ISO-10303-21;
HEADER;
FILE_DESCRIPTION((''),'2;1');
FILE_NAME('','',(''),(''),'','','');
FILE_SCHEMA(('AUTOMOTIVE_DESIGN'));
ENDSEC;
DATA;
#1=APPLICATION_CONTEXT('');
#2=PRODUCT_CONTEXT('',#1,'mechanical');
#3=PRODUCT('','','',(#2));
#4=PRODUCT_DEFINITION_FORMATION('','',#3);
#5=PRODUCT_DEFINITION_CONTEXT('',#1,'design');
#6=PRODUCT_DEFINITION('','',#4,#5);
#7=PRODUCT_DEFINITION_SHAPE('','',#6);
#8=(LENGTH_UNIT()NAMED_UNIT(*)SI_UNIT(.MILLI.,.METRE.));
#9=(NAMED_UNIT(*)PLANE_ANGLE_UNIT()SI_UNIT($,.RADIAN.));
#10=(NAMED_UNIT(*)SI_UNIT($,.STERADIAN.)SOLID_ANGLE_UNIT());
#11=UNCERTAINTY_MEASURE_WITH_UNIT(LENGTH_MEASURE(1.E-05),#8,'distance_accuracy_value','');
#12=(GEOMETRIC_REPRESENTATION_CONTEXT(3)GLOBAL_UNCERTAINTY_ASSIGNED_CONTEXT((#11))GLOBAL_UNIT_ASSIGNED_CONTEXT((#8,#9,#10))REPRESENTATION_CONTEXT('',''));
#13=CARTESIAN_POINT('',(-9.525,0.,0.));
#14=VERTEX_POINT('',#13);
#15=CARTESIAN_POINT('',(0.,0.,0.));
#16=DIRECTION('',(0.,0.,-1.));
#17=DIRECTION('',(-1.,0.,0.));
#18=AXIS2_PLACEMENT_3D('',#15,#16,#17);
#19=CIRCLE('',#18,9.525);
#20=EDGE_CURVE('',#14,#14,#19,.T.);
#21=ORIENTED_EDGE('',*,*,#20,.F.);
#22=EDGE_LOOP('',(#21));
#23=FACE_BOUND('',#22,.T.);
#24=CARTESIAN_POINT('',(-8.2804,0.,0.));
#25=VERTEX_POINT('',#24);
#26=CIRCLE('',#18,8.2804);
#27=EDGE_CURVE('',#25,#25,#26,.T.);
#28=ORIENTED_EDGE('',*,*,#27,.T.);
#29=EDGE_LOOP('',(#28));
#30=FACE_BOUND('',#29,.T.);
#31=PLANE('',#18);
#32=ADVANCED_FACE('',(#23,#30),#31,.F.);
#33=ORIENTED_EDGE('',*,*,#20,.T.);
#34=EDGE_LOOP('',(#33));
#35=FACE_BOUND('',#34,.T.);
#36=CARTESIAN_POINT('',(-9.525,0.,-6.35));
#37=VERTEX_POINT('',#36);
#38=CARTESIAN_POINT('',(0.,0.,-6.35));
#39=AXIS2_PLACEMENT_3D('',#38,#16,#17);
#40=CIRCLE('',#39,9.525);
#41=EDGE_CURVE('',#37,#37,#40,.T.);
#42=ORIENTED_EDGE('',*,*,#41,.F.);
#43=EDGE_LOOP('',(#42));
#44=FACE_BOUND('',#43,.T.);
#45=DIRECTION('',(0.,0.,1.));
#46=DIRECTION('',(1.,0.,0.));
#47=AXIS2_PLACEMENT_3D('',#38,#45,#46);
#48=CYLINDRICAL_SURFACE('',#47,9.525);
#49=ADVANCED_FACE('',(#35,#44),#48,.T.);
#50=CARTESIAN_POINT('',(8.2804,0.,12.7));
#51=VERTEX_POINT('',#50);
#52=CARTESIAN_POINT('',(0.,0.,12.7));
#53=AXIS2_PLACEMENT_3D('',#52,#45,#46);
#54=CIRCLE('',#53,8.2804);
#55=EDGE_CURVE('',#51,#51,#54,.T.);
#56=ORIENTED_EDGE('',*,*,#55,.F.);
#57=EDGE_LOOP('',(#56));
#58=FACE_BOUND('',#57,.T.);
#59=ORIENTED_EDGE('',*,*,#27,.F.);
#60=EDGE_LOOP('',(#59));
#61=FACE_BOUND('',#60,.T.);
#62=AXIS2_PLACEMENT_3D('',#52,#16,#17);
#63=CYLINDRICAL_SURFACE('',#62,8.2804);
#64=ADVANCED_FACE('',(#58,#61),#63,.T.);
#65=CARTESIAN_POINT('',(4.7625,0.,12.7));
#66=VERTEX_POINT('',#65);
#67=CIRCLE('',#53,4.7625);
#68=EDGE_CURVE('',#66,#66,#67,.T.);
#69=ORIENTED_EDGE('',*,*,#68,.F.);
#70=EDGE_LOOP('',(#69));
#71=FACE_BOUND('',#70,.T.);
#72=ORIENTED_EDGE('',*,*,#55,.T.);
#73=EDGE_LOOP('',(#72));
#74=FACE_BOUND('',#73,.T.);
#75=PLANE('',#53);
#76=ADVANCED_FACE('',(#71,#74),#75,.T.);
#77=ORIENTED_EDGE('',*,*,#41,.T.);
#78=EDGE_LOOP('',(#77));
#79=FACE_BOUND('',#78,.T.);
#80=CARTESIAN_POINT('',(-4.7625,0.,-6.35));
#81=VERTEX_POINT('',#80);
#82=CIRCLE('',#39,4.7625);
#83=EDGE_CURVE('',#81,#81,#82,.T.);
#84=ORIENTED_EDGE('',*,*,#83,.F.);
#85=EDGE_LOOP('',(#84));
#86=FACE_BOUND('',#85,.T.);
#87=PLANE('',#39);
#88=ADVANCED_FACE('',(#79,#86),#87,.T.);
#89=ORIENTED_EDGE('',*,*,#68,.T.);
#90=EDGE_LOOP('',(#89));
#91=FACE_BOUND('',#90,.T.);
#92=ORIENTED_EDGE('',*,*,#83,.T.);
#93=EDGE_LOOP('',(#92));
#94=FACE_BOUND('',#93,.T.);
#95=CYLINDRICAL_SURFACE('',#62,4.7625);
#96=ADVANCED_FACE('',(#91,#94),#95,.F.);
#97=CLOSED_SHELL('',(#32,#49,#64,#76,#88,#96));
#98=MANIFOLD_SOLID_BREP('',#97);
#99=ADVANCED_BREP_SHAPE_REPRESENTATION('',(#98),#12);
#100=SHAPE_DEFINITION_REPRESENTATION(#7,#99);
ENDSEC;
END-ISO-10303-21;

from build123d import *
from build123d.topology import SkipClean

# Parameters (mm, degrees)
SKETCH2_R           = 8.2804
SKETCH2_R_2         = 4.7625
BOSS_EXTRUDE1_DEPTH = 12.7
BOSS_EXTRUDE2_START = 6.35
SKETCH3_R           = 9.525
SKETCH3_R_2         = 4.7625
BOSS_EXTRUDE2_DEPTH = 6.35


with BuildPart() as part:
    # Sketch2 → Boss-Extrude1 (new body)
    with BuildSketch(Plane.XY):
        Circle(SKETCH2_R)
        Circle(SKETCH2_R_2, mode=Mode.SUBTRACT)
    extrude(amount=BOSS_EXTRUDE1_DEPTH)

    # Sketch3 → Boss-Extrude2 (add)
    with SkipClean():  # the faces are left unmerged after this step: merging them gives an invalid solid
        with BuildSketch(Plane(origin=(0, 0, 0), x_dir=(-1, 0, 0), z_dir=(0, 0, -1)).offset(BOSS_EXTRUDE2_START)):
            Circle(SKETCH3_R)
            Circle(SKETCH3_R_2, mode=Mode.SUBTRACT)
        extrude(amount=-BOSS_EXTRUDE2_DEPTH)


solid = part.part
